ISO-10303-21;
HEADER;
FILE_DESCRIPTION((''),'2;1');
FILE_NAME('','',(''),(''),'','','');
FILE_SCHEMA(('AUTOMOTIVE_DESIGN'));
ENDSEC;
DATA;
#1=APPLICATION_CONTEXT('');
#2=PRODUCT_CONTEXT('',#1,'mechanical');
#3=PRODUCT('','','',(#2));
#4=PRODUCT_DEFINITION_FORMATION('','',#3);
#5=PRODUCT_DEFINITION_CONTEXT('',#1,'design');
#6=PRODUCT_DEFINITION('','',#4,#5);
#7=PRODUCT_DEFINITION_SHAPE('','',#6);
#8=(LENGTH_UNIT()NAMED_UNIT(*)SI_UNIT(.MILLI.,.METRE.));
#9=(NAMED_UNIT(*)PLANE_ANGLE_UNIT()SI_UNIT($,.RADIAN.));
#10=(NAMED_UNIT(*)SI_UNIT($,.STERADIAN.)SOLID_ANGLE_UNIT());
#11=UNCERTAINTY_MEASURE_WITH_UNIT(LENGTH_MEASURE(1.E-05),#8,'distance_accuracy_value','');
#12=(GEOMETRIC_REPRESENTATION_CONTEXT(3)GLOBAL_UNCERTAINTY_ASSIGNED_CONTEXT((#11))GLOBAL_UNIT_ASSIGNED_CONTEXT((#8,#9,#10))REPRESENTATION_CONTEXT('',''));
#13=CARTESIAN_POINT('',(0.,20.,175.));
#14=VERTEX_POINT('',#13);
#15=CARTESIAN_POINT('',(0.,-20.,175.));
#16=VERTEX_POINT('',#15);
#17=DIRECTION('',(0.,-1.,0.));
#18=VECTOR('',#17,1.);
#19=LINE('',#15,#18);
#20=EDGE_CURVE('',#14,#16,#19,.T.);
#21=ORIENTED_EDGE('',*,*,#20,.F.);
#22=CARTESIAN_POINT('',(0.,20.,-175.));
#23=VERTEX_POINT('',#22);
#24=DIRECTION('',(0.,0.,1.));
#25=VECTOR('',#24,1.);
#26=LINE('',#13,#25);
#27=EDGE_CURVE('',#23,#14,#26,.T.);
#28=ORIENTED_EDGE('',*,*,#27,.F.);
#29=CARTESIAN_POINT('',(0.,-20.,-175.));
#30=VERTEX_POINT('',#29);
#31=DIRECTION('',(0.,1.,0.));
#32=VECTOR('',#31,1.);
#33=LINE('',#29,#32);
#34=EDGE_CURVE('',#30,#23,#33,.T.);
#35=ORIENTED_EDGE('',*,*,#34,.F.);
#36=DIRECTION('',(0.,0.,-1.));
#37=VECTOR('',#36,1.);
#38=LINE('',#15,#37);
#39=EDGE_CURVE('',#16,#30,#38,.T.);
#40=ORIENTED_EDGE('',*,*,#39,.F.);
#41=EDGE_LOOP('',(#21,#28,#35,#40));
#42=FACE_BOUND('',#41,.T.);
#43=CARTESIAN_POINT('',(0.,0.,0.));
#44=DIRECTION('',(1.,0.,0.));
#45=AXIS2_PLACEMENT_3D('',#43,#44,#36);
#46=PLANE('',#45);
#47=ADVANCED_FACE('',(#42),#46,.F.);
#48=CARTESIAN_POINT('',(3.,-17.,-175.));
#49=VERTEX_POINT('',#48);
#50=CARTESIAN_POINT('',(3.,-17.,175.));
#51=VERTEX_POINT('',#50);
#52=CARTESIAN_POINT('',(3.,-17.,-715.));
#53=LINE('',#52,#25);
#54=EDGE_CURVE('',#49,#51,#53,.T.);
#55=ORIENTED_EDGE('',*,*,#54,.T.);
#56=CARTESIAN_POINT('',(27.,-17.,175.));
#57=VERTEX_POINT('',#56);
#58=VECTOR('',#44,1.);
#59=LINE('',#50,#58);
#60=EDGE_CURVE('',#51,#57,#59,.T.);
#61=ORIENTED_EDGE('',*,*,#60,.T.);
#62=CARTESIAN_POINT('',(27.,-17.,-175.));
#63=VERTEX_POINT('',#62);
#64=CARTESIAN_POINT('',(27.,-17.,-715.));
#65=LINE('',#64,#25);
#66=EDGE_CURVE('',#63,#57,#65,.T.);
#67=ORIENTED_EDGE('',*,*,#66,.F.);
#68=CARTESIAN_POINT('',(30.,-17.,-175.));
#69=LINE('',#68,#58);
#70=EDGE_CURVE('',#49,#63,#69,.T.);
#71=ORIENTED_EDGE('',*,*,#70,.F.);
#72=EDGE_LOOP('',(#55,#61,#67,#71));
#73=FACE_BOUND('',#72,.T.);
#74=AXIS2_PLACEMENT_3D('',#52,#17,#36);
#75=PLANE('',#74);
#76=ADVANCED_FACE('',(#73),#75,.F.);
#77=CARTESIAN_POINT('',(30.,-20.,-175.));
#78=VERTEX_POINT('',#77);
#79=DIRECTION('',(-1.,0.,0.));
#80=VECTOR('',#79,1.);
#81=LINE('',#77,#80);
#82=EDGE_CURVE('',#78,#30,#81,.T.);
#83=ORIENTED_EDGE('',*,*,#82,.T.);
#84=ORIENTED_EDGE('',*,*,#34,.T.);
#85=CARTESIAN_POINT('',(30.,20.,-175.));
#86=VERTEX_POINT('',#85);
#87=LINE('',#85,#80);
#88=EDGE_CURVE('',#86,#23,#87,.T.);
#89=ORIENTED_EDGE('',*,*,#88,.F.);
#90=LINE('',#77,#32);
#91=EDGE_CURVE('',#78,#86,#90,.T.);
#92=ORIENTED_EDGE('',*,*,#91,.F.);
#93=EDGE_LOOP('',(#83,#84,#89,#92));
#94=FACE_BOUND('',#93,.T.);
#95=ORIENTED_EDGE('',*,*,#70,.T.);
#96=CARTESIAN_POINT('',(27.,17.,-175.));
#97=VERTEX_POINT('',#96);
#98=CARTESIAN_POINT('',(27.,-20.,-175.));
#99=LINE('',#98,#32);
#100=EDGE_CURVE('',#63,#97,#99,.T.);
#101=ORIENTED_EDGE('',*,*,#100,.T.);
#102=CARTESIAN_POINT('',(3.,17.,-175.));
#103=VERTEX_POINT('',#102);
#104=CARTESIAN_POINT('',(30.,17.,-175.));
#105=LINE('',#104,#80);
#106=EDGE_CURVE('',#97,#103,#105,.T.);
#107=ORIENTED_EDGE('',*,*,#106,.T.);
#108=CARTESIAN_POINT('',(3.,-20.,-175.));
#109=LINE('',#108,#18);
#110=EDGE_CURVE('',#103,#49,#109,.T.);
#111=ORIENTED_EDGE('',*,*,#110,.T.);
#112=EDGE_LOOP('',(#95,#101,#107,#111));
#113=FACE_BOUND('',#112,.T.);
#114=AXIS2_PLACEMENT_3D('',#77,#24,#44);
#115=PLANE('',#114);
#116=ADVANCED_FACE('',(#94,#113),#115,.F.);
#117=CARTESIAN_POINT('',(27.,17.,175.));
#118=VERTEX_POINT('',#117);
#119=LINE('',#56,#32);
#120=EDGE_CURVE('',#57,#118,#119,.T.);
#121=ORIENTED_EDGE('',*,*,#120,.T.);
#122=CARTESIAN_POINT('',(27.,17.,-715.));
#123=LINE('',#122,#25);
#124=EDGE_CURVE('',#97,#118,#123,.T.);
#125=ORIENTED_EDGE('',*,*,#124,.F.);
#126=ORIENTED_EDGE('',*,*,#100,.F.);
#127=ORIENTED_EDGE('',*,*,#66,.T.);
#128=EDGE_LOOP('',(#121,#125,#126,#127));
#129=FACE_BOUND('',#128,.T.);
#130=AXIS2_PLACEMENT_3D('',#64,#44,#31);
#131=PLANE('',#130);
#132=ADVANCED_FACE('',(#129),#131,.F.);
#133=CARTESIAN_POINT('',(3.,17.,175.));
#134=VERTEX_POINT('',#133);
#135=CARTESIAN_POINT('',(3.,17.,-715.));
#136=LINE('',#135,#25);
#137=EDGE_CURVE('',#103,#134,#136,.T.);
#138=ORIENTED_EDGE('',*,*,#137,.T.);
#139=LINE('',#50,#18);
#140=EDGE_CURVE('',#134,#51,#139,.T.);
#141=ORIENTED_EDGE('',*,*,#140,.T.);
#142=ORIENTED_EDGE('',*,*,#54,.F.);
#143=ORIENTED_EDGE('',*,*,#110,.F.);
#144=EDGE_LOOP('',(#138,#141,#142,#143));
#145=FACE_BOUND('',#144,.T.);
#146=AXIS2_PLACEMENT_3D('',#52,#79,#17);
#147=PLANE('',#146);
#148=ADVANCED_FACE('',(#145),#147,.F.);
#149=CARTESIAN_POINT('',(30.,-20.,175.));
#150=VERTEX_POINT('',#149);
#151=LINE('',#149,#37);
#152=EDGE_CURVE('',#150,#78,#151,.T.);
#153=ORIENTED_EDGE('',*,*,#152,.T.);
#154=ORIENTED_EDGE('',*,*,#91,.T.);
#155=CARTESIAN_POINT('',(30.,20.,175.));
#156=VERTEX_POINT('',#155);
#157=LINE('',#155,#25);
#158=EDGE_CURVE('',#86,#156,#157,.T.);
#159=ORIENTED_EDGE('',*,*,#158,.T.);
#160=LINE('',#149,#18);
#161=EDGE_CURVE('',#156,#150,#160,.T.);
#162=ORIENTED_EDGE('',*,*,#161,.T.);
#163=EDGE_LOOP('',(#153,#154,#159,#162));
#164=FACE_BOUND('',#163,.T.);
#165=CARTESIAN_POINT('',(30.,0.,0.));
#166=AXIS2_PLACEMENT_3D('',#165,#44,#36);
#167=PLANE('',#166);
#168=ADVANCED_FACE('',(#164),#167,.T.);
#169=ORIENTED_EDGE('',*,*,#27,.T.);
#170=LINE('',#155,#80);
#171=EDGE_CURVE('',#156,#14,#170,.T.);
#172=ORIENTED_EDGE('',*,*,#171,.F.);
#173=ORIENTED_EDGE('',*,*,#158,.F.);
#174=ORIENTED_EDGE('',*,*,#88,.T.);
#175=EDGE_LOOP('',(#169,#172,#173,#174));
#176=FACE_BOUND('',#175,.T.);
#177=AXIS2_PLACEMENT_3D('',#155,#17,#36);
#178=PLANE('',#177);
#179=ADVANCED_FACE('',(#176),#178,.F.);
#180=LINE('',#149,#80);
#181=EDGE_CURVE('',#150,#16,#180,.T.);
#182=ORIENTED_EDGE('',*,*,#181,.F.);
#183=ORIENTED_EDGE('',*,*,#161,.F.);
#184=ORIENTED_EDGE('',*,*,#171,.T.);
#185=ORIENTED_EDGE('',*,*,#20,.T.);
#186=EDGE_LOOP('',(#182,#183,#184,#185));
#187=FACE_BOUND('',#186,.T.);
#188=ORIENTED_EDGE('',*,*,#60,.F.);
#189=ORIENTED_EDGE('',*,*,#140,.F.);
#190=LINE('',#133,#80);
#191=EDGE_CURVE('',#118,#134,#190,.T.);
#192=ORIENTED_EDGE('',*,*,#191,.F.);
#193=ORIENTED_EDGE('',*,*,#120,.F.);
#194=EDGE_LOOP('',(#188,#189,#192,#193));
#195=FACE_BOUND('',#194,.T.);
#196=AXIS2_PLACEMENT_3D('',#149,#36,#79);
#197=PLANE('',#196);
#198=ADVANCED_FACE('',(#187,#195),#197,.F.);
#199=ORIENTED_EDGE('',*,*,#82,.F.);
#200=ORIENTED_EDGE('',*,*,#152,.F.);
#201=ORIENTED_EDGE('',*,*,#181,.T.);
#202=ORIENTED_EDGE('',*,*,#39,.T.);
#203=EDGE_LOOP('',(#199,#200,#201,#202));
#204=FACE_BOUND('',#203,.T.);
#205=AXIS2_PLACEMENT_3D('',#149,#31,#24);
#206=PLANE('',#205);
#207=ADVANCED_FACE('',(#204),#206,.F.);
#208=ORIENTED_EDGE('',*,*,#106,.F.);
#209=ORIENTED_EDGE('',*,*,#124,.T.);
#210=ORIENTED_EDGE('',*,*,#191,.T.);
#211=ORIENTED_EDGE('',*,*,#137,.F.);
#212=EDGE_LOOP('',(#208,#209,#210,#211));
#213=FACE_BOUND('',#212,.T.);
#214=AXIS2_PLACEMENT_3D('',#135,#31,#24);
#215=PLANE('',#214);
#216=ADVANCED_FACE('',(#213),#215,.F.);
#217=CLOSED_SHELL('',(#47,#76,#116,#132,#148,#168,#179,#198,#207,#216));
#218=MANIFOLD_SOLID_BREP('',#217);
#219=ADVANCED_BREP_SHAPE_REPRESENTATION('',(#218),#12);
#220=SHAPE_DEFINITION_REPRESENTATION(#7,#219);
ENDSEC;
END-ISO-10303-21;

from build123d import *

# Parameters (mm, degrees)
CROQUIS1_W              = 350
CROQUIS1_H              = 40
SALIENTE_EXTRUIR1_DEPTH = 30
CROQUIS2_W              = 24
CROQUIS2_H              = 34
CORTAR_EXTRUIR1_DEPTH   = 890


with BuildPart() as part:
    # Croquis1 → Saliente-Extruir1 (new body)
    with BuildSketch(Plane(origin=(0, 0, 0), x_dir=(0, 0, -1), z_dir=(1, 0, 0))):
        Rectangle(CROQUIS1_W, CROQUIS1_H)
    extrude(amount=SALIENTE_EXTRUIR1_DEPTH)

    # Croquis2 → Cortar-Extruir1 (cut)
    with BuildSketch(Plane.XY.offset(175)):
        with Locations((15, 0)):
            Rectangle(CROQUIS2_W, CROQUIS2_H)
    extrude(amount=-CORTAR_EXTRUIR1_DEPTH, mode=Mode.SUBTRACT)


solid = part.part
